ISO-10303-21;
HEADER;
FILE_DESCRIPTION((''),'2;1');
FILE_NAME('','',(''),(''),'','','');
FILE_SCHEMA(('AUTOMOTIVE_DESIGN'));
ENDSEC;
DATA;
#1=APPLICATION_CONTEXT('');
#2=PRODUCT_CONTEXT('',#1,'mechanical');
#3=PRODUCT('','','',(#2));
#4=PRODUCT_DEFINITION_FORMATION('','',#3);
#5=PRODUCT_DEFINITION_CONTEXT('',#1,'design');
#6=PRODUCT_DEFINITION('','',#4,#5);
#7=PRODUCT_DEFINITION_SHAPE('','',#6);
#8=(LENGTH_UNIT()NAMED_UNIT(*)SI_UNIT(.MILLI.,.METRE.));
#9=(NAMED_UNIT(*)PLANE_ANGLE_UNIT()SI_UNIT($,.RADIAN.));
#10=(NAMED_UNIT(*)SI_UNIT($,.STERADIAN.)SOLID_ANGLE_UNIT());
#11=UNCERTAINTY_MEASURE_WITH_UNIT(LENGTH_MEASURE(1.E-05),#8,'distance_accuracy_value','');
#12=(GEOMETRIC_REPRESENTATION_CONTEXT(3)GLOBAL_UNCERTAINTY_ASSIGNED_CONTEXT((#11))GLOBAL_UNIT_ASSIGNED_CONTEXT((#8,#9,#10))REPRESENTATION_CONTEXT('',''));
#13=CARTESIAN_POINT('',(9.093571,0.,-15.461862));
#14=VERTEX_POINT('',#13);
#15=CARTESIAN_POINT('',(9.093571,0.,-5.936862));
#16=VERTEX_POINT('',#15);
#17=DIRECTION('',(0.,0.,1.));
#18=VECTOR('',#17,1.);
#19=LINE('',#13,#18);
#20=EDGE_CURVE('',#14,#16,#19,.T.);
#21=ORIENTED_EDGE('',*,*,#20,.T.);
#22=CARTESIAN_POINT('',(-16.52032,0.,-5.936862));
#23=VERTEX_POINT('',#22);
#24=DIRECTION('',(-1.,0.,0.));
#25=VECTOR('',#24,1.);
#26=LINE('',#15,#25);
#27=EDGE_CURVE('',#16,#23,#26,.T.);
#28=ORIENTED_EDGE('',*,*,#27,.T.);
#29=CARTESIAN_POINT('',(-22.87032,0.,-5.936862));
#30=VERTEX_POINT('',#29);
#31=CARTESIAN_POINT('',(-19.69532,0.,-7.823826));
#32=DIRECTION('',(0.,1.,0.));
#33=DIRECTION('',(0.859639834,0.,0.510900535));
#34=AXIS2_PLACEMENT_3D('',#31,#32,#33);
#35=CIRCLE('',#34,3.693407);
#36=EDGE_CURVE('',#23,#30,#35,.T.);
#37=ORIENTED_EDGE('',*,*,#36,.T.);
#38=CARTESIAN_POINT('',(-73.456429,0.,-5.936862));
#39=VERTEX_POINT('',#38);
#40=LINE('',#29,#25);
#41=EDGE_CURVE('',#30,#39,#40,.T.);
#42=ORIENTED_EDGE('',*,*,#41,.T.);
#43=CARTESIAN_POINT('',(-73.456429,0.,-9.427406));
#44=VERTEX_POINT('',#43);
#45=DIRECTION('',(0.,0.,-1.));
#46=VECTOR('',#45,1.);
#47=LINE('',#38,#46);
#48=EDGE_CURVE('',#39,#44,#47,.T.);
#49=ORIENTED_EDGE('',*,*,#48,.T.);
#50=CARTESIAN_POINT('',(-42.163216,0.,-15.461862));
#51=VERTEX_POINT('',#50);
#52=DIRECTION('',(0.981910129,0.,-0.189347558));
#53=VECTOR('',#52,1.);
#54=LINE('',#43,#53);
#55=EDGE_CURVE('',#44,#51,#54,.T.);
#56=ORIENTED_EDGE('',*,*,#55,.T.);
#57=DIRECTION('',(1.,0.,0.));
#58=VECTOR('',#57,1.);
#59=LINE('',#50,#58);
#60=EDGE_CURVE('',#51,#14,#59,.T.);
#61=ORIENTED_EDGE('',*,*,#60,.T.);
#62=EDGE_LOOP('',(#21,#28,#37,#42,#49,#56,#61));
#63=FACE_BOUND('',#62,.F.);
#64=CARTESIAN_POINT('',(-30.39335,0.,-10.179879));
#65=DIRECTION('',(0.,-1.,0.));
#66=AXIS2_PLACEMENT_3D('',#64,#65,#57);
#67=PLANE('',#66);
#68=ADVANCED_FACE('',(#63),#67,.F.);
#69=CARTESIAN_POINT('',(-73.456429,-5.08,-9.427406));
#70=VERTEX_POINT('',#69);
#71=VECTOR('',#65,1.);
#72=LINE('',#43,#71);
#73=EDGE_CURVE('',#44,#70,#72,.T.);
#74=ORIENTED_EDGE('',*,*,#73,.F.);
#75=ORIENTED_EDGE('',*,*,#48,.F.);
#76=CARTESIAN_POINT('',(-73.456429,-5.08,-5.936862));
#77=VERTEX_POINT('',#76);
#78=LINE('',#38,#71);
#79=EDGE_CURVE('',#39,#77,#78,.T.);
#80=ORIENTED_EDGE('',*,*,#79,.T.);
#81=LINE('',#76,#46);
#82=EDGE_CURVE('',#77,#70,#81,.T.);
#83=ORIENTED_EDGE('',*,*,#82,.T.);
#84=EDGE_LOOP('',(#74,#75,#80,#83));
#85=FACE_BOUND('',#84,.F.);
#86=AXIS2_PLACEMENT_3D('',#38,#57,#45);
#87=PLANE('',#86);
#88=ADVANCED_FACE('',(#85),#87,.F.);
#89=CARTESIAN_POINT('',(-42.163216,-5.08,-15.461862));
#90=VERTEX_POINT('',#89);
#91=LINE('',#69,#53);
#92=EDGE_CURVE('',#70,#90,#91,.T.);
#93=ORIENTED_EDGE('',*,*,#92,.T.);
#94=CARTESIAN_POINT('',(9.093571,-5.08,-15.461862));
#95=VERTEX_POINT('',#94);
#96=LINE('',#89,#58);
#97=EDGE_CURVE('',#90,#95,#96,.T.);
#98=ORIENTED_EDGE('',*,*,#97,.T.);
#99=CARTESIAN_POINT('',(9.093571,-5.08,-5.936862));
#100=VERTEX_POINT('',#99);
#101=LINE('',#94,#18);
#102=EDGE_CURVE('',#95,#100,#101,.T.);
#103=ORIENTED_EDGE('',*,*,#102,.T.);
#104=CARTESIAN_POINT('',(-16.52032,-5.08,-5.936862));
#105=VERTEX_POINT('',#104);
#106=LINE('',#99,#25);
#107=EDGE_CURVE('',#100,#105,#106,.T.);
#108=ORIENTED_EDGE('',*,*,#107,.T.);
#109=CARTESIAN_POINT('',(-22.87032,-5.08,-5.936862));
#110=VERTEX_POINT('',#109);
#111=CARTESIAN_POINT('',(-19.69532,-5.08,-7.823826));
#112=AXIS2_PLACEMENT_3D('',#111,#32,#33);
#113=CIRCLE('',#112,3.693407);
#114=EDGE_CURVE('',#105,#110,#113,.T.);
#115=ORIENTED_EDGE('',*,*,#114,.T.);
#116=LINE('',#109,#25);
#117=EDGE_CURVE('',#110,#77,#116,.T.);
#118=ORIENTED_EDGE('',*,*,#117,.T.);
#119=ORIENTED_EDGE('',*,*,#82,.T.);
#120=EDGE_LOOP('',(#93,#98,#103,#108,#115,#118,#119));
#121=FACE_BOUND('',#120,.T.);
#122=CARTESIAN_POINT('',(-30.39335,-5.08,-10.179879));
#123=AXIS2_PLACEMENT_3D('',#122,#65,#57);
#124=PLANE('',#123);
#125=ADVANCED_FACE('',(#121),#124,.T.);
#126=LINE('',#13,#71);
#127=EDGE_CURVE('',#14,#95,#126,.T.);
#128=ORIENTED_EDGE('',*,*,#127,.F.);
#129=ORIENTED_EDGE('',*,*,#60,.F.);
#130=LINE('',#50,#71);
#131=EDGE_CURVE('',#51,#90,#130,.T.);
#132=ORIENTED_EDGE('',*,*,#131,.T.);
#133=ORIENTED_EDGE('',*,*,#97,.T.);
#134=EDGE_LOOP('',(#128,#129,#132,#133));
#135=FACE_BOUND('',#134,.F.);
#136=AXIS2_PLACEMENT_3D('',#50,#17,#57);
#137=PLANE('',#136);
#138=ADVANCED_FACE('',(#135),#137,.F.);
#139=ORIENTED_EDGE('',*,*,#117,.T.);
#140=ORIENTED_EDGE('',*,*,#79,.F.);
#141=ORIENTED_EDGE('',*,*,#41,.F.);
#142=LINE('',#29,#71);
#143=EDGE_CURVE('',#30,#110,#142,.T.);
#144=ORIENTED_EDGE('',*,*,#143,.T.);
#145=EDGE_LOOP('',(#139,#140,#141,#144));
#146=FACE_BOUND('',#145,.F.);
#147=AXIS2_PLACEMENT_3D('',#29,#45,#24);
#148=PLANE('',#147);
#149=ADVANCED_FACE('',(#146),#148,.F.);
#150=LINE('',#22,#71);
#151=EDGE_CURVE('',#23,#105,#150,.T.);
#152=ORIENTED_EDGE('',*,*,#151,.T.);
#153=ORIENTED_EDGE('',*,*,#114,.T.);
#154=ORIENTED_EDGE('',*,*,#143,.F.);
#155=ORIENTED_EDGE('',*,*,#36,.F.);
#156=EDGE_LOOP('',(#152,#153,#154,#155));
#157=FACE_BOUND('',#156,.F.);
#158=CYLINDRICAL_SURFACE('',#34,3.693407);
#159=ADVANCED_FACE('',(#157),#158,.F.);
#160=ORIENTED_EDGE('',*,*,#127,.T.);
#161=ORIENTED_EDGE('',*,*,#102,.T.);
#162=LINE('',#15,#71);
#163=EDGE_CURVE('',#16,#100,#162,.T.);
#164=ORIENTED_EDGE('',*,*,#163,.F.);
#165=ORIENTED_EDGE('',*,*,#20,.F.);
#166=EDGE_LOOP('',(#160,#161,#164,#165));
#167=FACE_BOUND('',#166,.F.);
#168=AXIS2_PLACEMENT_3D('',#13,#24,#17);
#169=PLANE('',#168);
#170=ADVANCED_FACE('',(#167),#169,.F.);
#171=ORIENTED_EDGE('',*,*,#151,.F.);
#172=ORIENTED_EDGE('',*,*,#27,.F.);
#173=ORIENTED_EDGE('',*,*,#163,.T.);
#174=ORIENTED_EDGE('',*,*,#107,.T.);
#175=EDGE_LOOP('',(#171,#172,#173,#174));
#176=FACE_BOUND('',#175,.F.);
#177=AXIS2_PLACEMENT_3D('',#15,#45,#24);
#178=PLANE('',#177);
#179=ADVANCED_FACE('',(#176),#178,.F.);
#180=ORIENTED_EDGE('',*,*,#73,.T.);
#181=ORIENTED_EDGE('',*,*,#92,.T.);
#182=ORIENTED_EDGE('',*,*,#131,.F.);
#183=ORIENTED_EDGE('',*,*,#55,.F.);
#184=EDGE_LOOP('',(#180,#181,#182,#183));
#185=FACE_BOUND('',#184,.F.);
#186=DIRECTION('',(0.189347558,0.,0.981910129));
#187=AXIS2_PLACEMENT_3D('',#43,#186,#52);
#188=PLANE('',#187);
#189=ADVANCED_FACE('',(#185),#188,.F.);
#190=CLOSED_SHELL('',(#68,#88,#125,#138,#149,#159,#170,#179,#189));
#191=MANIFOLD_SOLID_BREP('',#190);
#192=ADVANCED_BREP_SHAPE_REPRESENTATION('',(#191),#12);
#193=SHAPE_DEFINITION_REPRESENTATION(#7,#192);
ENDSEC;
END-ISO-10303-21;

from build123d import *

# Parameters (mm, degrees)
F1_DEPTH = 5.08


with BuildPart() as f1:
    # F0 (on Front) → F1 (new body)
    with BuildSketch(Plane.XZ):
        with BuildLine():
            Line((-42.163216, -15.461862), (9.093571, -15.461862))
            Line((9.093571, -15.461862), (9.093571, -5.936862))
            Line((9.093571, -5.936862), (-16.52032, -5.936862))
            ThreePointArc((-16.52032, -5.936862), (-19.69532, -11.517233), (-22.87032, -5.936862))
            Line((-22.87032, -5.936862), (-73.456429, -5.936862))
            Line((-73.456429, -5.936862), (-73.456429, -9.427406))
            Line((-73.456429, -9.427406), (-42.163216, -15.461862))
        make_face()
    extrude(amount=F1_DEPTH)


solid = f1.part
